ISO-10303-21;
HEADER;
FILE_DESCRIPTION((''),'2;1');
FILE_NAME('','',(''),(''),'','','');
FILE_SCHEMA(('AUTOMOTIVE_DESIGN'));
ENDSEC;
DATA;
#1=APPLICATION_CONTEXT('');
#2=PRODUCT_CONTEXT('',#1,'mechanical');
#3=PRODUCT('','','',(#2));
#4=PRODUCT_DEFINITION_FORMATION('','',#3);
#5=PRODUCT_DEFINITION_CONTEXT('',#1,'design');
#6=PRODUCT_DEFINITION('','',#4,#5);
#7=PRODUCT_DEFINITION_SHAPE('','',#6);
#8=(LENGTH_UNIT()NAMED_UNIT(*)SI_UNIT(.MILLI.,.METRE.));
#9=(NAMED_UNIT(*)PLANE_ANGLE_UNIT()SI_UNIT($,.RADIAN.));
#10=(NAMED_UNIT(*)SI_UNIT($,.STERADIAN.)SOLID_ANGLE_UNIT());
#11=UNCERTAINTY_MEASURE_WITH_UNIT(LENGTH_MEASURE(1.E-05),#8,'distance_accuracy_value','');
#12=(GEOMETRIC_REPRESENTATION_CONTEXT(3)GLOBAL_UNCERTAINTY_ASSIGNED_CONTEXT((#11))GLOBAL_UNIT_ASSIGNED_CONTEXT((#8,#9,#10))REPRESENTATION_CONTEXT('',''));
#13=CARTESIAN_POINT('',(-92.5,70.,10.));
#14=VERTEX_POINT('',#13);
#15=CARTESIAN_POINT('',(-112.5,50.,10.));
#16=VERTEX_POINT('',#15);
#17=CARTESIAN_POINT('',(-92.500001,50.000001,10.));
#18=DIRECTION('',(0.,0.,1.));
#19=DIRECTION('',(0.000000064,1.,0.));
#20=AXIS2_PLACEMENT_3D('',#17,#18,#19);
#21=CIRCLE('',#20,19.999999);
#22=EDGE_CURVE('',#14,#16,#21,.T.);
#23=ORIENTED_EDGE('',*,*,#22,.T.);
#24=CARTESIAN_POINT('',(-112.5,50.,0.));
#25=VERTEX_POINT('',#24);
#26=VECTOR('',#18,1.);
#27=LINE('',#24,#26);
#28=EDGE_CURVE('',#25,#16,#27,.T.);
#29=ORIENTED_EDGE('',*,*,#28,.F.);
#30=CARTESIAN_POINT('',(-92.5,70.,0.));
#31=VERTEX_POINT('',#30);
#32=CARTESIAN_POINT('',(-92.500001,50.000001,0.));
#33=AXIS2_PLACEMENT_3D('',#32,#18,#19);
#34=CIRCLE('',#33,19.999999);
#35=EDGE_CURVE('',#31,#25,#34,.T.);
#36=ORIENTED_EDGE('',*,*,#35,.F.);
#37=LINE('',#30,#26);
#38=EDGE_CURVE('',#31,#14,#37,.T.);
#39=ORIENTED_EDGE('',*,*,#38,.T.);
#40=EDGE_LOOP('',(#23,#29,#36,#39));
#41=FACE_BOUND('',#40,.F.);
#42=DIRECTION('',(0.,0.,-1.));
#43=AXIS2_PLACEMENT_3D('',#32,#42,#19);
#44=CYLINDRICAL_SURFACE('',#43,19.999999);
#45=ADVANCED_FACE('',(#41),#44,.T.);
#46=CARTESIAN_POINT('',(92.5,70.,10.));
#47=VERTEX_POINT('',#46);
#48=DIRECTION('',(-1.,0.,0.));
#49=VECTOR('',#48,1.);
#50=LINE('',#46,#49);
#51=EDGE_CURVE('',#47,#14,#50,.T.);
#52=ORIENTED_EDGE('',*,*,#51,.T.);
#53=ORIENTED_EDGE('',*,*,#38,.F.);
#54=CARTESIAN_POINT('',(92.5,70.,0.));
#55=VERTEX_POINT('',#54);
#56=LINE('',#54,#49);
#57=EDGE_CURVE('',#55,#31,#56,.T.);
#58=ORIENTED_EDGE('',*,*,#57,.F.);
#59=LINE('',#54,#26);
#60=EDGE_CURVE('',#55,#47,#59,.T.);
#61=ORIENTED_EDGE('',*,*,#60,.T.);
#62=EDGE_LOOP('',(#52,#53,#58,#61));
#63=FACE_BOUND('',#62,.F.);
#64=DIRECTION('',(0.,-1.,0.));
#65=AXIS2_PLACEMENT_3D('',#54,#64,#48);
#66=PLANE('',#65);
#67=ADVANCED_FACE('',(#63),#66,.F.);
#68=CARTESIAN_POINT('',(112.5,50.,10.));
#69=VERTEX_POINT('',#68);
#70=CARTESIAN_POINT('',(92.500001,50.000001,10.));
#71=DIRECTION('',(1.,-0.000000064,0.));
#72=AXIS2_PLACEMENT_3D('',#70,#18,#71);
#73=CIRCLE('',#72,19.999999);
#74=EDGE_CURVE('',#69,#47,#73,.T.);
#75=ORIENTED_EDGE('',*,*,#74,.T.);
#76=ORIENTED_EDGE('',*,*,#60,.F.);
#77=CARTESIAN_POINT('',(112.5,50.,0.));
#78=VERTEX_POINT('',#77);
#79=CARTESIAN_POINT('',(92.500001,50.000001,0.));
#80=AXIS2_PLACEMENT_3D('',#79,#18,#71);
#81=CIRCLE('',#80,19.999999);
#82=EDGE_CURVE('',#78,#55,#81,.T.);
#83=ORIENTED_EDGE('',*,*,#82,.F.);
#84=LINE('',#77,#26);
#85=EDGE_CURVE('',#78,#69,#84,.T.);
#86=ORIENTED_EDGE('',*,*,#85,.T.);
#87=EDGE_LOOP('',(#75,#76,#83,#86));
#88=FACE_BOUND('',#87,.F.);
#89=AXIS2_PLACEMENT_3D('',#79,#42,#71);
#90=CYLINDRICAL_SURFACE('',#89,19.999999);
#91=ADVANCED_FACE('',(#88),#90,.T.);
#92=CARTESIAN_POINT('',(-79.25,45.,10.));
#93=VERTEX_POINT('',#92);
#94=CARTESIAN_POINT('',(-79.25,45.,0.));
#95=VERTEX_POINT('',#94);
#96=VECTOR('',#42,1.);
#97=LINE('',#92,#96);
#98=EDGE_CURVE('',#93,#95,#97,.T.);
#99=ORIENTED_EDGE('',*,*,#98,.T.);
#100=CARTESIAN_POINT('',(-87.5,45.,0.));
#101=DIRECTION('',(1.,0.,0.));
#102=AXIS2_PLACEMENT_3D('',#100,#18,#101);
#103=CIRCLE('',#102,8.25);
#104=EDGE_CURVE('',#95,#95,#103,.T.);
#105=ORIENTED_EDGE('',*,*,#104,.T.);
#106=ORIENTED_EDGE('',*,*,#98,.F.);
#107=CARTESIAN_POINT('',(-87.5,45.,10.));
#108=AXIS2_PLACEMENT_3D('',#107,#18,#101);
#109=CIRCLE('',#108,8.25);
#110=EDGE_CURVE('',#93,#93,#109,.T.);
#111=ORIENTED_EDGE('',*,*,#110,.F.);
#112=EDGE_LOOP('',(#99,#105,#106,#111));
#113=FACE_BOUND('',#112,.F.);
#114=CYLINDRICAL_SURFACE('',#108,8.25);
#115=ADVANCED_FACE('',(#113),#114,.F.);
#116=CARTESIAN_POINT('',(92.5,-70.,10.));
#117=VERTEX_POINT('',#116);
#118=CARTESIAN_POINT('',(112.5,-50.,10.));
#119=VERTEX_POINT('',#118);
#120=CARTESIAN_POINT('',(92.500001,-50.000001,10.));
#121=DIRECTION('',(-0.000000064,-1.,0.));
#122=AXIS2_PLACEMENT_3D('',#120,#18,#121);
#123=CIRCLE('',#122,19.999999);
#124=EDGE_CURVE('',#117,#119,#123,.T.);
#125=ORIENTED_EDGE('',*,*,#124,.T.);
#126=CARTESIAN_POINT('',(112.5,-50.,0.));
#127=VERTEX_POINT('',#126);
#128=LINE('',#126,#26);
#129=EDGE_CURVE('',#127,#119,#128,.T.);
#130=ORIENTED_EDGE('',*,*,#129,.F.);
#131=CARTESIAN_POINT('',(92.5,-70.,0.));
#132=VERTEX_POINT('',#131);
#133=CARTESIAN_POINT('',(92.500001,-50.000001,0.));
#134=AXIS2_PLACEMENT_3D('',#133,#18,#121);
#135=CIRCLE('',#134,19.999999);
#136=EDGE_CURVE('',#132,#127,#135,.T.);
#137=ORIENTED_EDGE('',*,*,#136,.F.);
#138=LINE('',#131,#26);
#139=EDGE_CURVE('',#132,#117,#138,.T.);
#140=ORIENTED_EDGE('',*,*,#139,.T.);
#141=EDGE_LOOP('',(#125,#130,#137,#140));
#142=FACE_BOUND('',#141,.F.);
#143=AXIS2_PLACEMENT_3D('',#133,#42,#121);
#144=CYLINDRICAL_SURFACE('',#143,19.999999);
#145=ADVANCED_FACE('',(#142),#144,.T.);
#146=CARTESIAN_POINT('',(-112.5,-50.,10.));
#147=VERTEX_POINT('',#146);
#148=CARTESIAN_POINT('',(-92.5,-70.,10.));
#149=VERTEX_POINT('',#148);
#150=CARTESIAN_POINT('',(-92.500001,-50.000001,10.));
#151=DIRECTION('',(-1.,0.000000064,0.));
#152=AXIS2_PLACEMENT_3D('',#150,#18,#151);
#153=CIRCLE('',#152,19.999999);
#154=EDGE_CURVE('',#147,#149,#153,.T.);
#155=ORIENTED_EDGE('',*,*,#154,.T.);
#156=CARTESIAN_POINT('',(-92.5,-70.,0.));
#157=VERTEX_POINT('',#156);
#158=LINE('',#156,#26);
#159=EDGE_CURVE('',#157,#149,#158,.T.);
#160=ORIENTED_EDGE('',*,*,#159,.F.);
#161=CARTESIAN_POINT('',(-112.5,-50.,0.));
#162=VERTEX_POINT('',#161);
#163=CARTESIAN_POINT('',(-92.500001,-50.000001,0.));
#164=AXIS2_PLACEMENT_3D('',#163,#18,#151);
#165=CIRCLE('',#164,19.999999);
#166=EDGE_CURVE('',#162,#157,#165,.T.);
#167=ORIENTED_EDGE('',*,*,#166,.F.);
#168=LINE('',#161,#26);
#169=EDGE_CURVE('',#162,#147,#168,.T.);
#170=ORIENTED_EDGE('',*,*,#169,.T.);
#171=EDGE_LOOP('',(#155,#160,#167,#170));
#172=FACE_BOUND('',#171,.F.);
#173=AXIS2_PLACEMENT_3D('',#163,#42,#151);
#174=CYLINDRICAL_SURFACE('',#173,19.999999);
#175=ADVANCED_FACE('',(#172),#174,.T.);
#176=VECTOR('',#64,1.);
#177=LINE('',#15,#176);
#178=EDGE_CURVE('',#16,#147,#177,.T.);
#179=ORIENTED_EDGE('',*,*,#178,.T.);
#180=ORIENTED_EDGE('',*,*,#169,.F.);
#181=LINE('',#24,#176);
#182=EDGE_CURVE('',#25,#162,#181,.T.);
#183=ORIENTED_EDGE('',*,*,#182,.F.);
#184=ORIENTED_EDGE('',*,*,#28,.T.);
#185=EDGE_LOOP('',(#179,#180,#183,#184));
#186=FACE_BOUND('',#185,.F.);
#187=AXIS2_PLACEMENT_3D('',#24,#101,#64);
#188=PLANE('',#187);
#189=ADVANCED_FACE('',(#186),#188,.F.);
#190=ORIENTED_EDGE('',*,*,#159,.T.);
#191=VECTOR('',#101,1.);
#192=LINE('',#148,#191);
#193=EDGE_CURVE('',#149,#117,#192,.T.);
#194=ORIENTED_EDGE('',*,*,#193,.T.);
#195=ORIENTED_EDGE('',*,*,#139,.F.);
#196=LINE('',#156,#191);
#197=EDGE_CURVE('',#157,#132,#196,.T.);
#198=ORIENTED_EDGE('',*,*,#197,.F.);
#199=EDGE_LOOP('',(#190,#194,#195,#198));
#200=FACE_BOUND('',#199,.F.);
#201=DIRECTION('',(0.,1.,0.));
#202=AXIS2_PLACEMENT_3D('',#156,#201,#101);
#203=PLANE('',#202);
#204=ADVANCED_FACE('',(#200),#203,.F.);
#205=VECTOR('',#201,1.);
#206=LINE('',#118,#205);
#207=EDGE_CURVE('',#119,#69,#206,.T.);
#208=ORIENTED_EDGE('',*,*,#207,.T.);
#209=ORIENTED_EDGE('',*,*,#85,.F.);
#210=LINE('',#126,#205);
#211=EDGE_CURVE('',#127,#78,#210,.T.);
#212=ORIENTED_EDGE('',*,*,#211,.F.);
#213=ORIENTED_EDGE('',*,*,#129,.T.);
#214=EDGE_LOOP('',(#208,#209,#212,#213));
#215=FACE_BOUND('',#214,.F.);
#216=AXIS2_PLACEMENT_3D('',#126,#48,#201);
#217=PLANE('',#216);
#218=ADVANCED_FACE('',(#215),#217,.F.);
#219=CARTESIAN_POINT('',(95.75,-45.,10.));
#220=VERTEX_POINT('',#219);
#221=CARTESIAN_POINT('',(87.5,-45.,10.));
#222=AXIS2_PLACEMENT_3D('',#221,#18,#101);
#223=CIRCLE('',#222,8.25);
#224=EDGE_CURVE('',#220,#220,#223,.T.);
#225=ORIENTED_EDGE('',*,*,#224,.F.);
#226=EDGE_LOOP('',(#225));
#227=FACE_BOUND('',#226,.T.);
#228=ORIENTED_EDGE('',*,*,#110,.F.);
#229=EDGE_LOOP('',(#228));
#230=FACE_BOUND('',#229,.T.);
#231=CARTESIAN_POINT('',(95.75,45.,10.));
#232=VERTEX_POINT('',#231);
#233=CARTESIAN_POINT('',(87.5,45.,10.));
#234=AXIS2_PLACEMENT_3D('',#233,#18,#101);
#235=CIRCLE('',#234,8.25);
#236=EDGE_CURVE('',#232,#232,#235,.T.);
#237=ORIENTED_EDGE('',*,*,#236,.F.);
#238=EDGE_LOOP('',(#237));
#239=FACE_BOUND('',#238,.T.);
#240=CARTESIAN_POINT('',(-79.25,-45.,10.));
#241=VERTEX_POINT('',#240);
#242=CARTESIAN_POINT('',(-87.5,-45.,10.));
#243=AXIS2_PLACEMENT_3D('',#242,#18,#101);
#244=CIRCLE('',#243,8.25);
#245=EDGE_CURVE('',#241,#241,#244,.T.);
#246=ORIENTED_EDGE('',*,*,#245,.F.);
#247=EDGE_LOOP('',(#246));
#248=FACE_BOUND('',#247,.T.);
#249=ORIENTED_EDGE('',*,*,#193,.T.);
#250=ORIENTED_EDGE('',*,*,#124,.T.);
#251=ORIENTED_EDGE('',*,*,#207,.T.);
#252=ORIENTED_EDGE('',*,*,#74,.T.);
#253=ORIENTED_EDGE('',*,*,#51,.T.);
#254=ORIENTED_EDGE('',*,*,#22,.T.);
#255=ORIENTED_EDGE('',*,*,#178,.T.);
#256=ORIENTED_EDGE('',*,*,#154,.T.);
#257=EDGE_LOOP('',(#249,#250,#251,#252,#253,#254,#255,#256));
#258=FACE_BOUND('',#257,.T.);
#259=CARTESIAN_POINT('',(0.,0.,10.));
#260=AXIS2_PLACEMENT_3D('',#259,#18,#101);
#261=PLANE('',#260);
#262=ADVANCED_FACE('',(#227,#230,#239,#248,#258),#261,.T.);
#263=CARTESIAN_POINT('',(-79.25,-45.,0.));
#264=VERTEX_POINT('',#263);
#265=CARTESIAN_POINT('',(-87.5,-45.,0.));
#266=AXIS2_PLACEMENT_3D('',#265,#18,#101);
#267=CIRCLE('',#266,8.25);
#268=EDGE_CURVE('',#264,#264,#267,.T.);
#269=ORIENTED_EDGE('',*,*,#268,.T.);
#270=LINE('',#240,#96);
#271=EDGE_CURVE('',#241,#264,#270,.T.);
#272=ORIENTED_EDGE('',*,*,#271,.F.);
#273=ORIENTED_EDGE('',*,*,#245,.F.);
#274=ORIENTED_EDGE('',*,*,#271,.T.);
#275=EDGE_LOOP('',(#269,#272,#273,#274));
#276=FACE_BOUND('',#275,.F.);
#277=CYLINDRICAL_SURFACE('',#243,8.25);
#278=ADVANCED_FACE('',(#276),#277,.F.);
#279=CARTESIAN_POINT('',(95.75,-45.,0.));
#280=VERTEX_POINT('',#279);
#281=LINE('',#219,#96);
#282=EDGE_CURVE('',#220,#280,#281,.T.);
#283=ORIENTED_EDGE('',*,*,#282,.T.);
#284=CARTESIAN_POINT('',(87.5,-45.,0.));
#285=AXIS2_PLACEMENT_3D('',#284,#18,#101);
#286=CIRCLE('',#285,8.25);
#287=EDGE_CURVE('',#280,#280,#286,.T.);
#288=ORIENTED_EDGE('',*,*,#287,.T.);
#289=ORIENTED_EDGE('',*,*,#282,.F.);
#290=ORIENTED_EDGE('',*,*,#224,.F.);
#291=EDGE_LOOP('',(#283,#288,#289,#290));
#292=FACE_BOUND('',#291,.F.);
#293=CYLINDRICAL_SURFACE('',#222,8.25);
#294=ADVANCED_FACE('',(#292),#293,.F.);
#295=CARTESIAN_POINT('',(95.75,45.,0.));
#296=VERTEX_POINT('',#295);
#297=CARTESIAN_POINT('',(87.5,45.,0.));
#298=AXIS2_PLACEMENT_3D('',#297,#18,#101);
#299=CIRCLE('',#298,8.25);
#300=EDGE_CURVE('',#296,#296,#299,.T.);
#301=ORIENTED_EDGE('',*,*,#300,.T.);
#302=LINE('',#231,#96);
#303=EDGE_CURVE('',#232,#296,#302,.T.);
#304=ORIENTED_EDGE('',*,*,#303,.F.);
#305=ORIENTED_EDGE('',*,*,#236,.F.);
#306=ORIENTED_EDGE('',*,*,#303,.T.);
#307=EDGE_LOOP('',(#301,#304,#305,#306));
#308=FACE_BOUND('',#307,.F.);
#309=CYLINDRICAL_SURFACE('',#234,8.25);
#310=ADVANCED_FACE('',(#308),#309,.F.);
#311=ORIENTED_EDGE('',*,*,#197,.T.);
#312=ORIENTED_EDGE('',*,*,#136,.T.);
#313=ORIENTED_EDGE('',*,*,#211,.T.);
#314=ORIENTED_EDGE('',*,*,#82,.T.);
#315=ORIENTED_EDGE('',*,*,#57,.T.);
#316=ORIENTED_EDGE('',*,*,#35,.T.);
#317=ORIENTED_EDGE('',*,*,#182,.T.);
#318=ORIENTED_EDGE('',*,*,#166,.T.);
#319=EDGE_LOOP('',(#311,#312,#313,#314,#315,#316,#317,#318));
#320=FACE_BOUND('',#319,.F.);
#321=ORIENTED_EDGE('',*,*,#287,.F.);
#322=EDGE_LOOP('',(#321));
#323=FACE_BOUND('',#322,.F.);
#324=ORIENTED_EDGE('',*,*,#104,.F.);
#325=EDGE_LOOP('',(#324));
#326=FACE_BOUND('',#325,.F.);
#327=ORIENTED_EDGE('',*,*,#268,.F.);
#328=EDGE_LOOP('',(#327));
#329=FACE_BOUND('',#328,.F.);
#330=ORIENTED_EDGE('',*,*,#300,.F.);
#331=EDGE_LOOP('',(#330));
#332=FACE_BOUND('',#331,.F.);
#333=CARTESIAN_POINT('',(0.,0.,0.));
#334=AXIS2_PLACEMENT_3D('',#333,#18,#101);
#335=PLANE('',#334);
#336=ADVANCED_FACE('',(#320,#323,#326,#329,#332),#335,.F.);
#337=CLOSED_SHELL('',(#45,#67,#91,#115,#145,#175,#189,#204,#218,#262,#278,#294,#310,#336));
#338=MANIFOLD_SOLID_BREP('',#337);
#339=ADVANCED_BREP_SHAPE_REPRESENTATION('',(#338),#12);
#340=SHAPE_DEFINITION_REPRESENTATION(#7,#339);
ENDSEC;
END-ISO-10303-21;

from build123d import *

# Parameters (mm, degrees)
F1_DEPTH = 10
F2_R     = 8.25
F3_DEPTH = 10.001


with BuildPart() as f1:
    # F0 (on Top) → F1 (new body)
    with BuildSketch(Plane.XY):
        with BuildLine():
            ThreePointArc((112.5, 50), (106.642136, 64.142136), (92.5, 70))
            Line((92.5, 70), (-92.5, 70))
            ThreePointArc((-92.5, 70), (-106.642136, 64.142136), (-112.5, 50))
            Line((-112.5, 50), (-112.5, -50))
            ThreePointArc((-112.5, -50), (-106.642136, -64.142136), (-92.5, -70))
            Line((-92.5, -70), (92.5, -70))
            ThreePointArc((92.5, -70), (106.642136, -64.142136), (112.5, -50))
            Line((112.5, -50), (112.5, 50))
        make_face()
    extrude(amount=F1_DEPTH)

    # F2 (on face) → F3 (cut, through all)
    with BuildSketch(Plane.XY.offset(10)):
        with Locations((-87.5, 45)):
            Circle(F2_R)
        with Locations((87.5, 45)):
            Circle(F2_R)
        with Locations((-87.5, -45)):
            Circle(F2_R)
        with Locations((87.5, -45)):
            Circle(F2_R)
    extrude(amount=-F3_DEPTH, mode=Mode.SUBTRACT)


solid = f1.part
